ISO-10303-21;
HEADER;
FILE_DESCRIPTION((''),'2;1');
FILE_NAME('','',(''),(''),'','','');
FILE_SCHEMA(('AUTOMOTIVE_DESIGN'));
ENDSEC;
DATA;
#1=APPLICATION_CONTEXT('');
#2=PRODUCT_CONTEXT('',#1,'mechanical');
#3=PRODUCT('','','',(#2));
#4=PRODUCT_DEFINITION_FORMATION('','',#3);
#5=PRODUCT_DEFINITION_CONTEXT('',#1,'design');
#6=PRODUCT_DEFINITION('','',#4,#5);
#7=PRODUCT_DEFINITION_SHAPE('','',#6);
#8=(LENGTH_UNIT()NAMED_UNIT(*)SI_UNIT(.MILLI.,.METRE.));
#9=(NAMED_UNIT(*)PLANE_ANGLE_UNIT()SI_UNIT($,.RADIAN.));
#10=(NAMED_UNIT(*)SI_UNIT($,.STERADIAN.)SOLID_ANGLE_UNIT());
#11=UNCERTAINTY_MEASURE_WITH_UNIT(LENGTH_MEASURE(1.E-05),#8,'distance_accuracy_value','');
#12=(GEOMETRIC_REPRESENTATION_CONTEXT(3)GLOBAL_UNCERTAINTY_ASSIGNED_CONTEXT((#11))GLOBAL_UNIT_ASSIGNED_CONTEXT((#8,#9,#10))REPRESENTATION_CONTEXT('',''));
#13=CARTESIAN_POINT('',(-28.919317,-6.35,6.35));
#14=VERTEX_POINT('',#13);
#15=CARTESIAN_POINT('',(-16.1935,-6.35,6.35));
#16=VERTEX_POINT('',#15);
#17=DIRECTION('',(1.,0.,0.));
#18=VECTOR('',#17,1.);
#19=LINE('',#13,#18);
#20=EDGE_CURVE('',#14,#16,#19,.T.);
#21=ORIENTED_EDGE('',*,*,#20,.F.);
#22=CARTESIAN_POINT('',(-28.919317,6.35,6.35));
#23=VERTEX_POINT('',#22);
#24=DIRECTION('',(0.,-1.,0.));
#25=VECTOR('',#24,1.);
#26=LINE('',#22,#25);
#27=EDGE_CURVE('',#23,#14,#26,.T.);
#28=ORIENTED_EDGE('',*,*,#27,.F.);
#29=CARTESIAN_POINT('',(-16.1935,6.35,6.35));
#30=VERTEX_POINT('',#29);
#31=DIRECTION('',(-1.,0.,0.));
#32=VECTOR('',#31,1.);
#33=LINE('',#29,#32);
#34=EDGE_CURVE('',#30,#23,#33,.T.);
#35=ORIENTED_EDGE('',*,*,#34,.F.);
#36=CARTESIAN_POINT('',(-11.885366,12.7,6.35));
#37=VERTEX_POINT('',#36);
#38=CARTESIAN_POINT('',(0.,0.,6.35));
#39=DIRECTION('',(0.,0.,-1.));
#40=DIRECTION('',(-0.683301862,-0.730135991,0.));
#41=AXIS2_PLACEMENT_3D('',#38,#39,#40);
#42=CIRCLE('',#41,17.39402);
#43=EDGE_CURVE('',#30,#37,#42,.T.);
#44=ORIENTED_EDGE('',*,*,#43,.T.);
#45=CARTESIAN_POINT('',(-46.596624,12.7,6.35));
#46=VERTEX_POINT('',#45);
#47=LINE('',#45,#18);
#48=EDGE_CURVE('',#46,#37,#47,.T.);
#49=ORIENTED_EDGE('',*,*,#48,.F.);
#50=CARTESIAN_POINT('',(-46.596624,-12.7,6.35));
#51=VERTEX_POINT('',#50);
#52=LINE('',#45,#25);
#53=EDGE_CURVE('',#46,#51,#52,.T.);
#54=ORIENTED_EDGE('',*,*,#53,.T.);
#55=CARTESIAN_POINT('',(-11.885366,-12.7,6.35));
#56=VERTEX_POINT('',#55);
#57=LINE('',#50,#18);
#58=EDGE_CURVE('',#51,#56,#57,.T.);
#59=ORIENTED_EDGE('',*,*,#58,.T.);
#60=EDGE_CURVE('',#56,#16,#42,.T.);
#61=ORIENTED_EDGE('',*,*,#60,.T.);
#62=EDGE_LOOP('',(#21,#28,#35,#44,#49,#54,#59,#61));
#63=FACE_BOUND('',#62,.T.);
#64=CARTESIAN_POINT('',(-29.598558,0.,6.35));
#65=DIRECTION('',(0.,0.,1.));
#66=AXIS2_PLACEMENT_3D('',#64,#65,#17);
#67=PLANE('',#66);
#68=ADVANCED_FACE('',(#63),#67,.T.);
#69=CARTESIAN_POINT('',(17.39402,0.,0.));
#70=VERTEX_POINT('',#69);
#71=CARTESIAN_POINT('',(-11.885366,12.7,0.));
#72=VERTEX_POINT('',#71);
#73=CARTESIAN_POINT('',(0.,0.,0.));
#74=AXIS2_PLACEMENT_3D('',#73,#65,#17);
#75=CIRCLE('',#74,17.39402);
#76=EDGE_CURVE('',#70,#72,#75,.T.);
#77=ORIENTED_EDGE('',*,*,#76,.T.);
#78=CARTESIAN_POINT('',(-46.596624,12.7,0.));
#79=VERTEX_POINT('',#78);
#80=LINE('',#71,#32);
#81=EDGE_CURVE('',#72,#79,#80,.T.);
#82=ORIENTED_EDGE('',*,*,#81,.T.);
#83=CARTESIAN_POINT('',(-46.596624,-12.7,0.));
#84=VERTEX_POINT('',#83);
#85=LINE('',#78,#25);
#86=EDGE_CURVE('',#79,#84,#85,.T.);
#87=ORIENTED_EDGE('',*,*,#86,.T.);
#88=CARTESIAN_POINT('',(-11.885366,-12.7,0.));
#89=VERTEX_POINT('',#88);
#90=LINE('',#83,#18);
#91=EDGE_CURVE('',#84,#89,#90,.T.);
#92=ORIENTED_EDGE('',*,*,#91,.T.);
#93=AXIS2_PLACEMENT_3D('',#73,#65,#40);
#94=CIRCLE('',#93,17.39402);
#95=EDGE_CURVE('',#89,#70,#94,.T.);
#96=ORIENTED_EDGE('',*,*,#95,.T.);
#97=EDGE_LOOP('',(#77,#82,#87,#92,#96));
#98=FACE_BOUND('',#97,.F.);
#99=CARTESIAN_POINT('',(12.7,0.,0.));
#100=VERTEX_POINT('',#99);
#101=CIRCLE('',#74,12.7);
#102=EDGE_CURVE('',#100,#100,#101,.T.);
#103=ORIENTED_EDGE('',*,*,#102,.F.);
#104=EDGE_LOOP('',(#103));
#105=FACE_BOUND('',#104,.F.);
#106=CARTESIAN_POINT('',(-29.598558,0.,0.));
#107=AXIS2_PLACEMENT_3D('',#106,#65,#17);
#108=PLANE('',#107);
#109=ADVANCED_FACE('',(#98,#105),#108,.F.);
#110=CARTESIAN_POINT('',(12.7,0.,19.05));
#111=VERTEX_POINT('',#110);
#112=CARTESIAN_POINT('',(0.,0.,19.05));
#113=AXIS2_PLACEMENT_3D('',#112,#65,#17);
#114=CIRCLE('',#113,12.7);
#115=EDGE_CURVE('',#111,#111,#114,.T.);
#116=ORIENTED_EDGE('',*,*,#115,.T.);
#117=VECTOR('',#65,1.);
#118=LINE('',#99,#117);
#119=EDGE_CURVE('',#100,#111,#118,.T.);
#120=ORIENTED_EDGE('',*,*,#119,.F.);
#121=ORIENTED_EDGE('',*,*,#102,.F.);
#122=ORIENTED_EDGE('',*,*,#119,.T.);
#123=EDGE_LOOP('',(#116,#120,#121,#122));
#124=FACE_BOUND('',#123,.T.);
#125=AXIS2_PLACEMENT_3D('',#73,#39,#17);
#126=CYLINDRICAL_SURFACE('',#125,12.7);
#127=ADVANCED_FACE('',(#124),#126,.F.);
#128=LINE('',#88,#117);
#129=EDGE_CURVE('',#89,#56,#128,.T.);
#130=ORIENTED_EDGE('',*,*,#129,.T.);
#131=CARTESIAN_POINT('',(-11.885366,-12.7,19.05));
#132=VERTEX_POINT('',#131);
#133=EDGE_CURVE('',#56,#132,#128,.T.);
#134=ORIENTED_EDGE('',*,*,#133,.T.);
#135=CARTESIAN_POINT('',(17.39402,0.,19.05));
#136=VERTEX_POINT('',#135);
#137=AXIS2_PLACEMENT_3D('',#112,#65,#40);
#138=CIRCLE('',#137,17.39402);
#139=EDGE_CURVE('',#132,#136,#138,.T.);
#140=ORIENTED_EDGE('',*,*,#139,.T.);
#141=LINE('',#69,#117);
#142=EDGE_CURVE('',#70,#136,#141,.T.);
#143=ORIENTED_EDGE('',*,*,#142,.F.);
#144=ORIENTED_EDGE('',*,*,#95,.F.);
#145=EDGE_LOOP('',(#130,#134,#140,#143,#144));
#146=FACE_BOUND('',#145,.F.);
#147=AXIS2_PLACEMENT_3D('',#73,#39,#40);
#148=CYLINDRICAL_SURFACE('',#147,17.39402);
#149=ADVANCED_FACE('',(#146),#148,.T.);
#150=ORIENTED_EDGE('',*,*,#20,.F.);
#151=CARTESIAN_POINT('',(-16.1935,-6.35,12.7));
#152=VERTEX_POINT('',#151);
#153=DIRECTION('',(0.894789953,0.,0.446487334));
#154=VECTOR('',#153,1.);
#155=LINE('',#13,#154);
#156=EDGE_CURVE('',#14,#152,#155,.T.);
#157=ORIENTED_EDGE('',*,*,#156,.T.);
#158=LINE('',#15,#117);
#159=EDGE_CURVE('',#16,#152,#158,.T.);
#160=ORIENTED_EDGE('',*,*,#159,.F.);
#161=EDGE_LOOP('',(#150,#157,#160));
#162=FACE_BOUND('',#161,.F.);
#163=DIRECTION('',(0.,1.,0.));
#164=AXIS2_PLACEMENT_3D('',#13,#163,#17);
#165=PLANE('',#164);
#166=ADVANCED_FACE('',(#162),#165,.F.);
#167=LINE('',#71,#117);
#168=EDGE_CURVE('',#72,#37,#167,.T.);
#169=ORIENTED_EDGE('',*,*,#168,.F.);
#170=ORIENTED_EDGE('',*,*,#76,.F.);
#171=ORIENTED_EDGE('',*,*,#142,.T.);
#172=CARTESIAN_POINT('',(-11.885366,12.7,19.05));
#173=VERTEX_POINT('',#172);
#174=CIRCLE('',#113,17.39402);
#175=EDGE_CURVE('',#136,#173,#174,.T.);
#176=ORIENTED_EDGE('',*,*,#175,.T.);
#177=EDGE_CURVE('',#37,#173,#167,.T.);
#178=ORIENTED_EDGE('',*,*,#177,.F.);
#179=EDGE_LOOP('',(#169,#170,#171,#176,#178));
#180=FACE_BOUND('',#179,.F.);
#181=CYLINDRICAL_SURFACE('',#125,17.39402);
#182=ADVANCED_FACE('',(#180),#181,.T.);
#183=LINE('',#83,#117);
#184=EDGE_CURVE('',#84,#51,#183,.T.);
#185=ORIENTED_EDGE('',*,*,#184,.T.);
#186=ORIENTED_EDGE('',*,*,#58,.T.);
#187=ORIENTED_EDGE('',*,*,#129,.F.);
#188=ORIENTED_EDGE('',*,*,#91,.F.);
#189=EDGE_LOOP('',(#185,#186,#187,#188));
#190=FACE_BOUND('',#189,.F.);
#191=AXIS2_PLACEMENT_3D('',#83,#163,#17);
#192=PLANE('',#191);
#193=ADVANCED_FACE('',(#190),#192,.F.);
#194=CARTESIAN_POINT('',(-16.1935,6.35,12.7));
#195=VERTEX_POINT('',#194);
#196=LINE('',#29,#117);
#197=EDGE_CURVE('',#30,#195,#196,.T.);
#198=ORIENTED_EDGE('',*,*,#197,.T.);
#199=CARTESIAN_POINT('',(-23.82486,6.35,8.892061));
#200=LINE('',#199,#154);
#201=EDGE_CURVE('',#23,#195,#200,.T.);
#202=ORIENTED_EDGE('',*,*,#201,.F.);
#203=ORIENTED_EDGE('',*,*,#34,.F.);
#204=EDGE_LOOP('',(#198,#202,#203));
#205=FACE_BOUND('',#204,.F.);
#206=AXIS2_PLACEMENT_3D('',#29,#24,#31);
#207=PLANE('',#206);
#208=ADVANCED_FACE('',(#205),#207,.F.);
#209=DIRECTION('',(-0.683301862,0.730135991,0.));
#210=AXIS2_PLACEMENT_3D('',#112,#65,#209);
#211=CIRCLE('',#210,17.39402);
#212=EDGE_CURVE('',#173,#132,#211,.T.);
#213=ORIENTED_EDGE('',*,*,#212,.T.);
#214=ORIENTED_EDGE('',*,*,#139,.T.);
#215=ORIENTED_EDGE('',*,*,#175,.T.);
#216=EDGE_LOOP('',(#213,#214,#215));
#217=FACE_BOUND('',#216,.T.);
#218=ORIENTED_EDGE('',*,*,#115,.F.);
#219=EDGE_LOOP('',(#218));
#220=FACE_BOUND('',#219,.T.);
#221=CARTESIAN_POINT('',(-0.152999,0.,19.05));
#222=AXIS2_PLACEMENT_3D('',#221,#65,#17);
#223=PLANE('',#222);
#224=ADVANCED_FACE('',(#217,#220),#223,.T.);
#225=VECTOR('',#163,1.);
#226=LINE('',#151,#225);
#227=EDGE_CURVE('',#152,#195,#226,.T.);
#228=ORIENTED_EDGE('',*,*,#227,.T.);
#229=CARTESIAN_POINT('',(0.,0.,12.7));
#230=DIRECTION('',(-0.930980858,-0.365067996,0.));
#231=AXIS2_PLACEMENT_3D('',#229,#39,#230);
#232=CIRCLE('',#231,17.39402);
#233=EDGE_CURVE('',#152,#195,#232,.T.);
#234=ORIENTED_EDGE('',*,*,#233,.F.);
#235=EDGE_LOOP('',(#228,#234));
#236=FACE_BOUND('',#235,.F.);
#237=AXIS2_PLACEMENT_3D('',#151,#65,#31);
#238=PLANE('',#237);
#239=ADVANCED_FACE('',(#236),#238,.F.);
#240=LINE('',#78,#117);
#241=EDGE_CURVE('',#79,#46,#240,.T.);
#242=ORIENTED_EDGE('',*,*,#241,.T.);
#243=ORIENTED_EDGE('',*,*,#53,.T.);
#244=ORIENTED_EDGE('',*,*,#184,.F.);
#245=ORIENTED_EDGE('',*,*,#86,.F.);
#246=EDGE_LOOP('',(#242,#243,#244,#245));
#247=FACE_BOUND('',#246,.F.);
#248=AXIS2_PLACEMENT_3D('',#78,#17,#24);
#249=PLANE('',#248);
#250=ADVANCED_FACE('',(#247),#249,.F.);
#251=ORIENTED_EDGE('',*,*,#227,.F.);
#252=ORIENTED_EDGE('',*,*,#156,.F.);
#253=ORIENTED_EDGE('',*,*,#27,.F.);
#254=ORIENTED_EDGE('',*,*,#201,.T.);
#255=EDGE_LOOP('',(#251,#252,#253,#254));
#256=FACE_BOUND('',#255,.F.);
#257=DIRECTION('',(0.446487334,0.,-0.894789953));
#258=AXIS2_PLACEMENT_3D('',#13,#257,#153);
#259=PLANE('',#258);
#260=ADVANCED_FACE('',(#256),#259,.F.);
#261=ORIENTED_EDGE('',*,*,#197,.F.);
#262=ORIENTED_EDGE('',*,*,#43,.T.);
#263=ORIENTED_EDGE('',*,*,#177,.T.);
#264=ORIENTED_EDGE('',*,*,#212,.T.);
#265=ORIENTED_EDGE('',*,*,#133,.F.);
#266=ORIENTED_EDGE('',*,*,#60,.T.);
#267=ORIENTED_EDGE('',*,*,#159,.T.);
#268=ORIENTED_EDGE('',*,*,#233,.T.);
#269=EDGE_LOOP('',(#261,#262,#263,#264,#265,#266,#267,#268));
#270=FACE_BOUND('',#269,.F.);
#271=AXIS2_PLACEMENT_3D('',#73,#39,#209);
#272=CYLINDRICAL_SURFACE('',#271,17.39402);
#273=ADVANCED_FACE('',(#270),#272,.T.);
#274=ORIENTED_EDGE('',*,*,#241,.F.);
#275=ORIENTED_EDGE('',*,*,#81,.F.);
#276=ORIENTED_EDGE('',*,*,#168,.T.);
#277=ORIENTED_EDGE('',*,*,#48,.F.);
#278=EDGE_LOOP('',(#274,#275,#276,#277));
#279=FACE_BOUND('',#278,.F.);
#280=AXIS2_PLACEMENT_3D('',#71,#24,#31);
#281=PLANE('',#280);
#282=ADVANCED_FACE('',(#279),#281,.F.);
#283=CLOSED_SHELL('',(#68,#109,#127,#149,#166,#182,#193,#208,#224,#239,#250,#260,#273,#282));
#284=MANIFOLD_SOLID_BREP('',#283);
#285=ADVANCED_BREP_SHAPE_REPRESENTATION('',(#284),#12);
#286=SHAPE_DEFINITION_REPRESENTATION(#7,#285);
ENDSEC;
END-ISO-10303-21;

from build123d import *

# Parameters (mm, degrees)
F0_R     = 12.7
F1_DEPTH = 19.05
F2_DEPTH = 6.35
F4_DEPTH = 6.35
F6_DEPTH = 25.4


with BuildPart() as f1:
    # F0 (on Top) → F1 (new body)
    with BuildSketch(Plane.XY):
        with BuildLine():
            ThreePointArc((-11.8853662155, -12.7), (6.9216194995, -15.9575409628), (17.3940199516, 0))
            ThreePointArc((17.3940199516, 0), (6.9216194995, 15.9575409628), (-11.8853662155, 12.7))
            ThreePointArc((-11.8853662155, 12.7), (-17.3940199516, 0), (-11.8853662155, -12.7))
        make_face()
        Circle(F0_R, mode=Mode.SUBTRACT)
    extrude(amount=F1_DEPTH)

    # F0 (on Top) → F2 (join)
    with BuildSketch(Plane.XY):
        with BuildLine():
            ThreePointArc((-11.8853662155, -12.7), (-17.3940199516, 0), (-11.8853662155, 12.7))
            Line((-11.8853662155, 12.7), (-46.5966239572, 12.7))
            Line((-46.5966239572, 12.7), (-46.5966239572, -12.7))
            Line((-46.5966239572, -12.7), (-11.8853662155, -12.7))
        make_face()
    extrude(amount=F2_DEPTH)

    # F3 (on face) → F4 (join)
    with BuildSketch(Plane.XY.offset(6.35)):
        with BuildLine():
            Line((-28.9193168283, 6.35), (-28.9193168283, 0))
            Line((-28.9193168283, 0), (-28.9193168283, -6.35))
            Line((-28.9193168283, -6.35), (-16.1934996241, -6.35))
            ThreePointArc((-16.1934996241, -6.35), (-17.3940199516, 0), (-16.1934996241, 6.35))
            Line((-16.1934996241, 6.35), (-28.9193168283, 6.35))
        make_face()
    extrude(amount=F4_DEPTH)

    # F5 (on face) → F6 (cut)
    with BuildSketch(Plane.XZ.offset(6.35)):
        Polygon((-28.9193168283, 12.7), (-28.9193168283, 6.35), (-16.1934996241, 12.7), align=None)
    extrude(amount=-F6_DEPTH, mode=Mode.SUBTRACT)


solid = f1.part
